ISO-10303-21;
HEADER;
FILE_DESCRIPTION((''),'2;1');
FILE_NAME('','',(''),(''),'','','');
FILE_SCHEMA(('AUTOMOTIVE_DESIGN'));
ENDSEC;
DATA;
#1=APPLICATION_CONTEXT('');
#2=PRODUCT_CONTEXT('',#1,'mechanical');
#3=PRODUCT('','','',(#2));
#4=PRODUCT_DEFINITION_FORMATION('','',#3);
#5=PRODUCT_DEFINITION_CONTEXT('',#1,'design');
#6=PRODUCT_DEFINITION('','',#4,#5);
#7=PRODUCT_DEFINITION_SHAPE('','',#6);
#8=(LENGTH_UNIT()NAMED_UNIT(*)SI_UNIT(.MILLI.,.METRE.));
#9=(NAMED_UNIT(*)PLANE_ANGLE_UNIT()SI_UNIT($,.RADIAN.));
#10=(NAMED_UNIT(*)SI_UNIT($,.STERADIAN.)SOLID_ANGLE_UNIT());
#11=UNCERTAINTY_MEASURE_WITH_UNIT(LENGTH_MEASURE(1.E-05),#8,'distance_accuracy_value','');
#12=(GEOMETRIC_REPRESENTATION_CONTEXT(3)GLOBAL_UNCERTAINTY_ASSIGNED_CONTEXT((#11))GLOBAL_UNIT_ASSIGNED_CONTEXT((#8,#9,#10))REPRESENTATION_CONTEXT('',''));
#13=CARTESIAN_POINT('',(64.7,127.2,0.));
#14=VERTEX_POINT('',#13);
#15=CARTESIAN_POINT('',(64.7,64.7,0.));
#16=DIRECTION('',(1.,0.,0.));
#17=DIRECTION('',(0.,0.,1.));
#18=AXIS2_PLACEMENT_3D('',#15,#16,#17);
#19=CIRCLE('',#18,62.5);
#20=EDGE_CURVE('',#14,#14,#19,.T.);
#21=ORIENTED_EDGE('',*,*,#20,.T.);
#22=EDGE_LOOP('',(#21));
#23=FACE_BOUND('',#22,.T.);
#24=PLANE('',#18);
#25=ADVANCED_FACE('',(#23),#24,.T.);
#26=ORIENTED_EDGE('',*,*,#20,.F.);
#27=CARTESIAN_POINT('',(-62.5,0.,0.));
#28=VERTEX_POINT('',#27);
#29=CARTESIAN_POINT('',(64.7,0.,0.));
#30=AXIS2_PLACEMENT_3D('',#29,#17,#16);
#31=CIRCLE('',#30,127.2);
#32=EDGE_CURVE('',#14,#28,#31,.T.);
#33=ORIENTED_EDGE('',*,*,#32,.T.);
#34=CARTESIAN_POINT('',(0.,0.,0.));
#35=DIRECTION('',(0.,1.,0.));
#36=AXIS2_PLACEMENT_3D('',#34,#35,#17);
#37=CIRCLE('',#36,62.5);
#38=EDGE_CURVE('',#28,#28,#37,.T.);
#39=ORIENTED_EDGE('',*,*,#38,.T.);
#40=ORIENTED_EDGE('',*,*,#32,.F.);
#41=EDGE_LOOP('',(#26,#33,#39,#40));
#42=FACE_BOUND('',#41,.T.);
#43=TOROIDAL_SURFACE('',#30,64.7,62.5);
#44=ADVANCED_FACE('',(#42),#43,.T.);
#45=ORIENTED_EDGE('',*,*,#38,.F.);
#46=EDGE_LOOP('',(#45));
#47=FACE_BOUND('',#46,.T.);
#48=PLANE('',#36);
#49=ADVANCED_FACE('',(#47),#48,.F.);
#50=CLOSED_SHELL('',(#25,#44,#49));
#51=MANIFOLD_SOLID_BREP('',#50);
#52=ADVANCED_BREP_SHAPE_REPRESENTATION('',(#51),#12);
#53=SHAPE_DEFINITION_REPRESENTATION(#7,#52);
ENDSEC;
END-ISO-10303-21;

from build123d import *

# Parameters (mm, degrees)
ESBO_O1_R       = 62.5
REVOLU_O1_ANGLE = 90


with BuildPart() as part:
    # Esboço1 → Revolução1 (revolve)
    with BuildSketch(Plane(origin=(0, 0, 0), x_dir=(1, 0, 0), z_dir=(0, 1, 0))):
        Circle(ESBO_O1_R)
    revolve(axis=Axis((64.7, 0, 0), (0, 0, -1)), revolution_arc=REVOLU_O1_ANGLE)


solid = part.part
